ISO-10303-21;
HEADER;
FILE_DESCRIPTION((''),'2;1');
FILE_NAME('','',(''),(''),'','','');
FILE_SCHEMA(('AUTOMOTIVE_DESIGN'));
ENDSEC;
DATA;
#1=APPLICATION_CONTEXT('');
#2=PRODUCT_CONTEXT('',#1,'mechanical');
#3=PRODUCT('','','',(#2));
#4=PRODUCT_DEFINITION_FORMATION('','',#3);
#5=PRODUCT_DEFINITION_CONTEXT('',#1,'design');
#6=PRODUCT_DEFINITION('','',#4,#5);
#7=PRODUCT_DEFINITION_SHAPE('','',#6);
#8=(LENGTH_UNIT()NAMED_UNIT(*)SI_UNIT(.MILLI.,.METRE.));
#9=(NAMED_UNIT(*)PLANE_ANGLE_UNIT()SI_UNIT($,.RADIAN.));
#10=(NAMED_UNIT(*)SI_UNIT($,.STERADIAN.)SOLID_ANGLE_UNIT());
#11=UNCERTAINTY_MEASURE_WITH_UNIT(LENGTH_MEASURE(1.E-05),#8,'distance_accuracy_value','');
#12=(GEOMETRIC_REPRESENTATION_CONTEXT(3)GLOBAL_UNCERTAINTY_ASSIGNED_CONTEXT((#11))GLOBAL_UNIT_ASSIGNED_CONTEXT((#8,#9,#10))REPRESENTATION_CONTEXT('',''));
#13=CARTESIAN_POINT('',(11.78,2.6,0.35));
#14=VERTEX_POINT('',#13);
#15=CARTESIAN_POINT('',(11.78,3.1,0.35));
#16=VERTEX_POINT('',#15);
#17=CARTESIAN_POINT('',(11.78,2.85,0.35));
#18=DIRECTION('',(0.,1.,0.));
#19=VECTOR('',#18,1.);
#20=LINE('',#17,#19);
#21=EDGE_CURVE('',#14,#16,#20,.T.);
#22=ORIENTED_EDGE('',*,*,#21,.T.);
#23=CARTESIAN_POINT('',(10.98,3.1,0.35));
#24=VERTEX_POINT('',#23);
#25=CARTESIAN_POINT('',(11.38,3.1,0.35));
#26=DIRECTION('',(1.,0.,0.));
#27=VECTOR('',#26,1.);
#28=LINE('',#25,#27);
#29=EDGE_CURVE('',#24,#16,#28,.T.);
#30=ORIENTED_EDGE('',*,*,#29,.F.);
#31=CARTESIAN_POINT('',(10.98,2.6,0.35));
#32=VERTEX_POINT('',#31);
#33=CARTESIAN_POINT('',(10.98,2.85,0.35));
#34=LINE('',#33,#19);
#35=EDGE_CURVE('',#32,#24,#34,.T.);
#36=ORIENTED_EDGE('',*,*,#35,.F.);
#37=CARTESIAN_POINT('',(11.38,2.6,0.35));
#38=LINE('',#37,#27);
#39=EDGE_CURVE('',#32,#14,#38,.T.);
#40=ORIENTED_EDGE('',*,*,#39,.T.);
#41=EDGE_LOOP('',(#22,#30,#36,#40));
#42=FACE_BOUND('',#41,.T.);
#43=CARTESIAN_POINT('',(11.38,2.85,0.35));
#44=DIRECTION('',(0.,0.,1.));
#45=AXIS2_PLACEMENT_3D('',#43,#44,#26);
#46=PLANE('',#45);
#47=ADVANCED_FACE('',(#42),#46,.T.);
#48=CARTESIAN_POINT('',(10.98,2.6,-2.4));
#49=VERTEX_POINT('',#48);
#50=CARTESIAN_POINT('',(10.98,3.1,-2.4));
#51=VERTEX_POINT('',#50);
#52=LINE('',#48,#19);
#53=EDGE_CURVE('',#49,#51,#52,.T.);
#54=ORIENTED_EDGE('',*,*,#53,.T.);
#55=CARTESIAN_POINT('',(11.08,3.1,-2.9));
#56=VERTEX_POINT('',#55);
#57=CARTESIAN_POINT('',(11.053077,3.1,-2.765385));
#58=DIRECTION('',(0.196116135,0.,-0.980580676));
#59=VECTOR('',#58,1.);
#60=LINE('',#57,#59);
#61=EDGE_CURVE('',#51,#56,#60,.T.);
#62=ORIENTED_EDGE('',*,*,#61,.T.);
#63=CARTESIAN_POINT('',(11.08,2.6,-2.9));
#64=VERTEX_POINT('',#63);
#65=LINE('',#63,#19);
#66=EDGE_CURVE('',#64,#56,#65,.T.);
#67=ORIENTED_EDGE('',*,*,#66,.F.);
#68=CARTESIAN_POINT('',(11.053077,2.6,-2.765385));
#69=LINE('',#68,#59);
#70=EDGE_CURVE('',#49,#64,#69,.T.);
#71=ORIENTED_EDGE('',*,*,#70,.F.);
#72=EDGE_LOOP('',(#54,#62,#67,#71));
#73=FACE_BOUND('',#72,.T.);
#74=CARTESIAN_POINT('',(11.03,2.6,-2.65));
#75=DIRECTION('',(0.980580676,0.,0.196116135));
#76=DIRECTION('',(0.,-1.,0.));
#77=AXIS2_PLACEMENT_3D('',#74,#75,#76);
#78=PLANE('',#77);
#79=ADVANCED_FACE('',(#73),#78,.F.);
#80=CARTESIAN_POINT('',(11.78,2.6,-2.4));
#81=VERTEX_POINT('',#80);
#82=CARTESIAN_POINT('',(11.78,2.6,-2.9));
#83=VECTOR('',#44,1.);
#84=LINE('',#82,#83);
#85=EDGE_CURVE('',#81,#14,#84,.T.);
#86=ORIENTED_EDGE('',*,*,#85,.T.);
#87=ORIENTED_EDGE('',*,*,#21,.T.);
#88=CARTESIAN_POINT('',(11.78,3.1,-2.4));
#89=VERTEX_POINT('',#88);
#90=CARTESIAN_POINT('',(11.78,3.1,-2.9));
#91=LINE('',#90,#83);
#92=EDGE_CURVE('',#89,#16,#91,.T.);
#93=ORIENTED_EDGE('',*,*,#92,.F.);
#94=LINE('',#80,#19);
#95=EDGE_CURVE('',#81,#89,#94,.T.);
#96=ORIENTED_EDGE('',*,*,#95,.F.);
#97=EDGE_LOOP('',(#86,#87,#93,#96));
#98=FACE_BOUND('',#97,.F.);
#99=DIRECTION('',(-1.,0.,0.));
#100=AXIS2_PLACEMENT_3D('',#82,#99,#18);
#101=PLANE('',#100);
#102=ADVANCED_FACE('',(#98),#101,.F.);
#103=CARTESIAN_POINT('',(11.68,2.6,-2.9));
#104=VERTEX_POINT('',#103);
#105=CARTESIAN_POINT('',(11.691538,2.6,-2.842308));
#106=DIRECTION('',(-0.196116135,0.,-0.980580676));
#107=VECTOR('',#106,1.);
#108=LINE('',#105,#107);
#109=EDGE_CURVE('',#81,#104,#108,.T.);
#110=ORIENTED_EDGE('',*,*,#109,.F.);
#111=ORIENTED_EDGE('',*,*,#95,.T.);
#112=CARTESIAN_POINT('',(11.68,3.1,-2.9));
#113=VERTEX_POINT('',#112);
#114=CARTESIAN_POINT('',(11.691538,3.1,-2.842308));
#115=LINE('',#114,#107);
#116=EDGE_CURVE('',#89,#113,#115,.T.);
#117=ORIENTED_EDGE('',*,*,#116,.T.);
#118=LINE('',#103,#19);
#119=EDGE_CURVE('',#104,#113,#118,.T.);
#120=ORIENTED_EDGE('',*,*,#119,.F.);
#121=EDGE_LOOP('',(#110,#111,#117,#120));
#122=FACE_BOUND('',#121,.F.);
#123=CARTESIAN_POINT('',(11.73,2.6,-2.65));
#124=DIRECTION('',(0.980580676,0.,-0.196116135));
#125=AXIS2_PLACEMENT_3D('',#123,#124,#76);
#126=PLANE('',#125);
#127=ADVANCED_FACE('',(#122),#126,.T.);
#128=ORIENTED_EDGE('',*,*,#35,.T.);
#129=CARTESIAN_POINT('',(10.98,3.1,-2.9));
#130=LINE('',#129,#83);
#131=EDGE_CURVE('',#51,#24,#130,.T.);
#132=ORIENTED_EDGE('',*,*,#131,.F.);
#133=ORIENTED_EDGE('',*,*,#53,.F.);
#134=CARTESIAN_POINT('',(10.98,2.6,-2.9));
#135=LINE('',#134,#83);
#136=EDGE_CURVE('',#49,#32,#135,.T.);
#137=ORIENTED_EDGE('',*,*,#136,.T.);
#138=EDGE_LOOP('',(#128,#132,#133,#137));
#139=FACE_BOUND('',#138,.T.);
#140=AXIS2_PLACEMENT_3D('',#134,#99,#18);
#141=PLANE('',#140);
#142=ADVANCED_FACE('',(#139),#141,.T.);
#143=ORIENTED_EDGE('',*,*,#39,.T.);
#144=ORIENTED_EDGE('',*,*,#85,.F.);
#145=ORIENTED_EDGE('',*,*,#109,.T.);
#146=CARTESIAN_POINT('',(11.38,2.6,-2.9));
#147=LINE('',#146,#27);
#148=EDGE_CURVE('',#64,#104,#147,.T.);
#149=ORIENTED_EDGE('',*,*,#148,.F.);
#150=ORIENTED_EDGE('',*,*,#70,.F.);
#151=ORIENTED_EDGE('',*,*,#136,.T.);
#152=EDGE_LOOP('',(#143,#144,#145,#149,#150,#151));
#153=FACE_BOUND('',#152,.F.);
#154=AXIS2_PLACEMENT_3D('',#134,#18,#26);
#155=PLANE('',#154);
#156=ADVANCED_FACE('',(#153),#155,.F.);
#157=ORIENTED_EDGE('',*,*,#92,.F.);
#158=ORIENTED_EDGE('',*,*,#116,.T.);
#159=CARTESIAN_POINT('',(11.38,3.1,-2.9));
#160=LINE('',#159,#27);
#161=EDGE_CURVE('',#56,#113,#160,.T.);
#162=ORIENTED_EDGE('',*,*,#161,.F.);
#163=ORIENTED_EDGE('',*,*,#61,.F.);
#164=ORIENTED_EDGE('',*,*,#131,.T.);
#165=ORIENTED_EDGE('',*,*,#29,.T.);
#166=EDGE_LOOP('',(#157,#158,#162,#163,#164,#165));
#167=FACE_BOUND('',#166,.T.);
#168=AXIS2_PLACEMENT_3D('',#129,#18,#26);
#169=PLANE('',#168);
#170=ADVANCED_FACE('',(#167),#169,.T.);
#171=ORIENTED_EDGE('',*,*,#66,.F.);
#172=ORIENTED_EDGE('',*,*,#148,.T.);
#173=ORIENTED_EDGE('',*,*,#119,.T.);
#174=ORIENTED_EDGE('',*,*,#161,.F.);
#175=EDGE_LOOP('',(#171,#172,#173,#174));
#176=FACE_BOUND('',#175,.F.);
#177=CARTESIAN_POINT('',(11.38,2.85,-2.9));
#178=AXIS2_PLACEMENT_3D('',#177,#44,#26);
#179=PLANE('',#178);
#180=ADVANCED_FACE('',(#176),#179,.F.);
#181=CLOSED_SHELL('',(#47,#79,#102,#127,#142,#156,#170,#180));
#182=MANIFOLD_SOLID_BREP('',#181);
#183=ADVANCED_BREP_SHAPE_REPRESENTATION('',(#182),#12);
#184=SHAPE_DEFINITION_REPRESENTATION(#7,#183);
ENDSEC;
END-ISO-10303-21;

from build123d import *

# Parameters (mm, degrees)
BOX011_W           = 0.8
BOX011_H           = 0.5
BOX011_DEPTH       = 3.25
CHAMFER002_1_SIZE2 = 0.1
CHAMFER002_1_SIZE  = 0.5
CHAMFER002_2_SIZE2 = 0.1
CHAMFER002_2_SIZE  = 0.5


with BuildPart() as part:
    # Box011 → Box011 (new body)
    with BuildSketch(Plane(origin=(10.98, 2.6, -2.9), x_dir=(1, 0, 0), z_dir=(0, 0, 1))):
        with Locations((0.4, 0.25)):
            Rectangle(BOX011_W, BOX011_H)
    extrude(amount=BOX011_DEPTH)

    # Chamfer002 1
    chamfer002_1_edges = [part.edges().sort_by_distance(p)[0] for p in [
        (11.78, 2.85, -2.9),
    ]]
    chamfer002_1_side = part.faces().sort_by_distance((11.78, 2.85, -1.275))[0]
    chamfer(chamfer002_1_edges, length=CHAMFER002_1_SIZE, length2=CHAMFER002_1_SIZE2, reference=chamfer002_1_side)

    # Chamfer002 2
    chamfer002_2_edges = [part.edges().sort_by_distance(p)[0] for p in [
        (10.98, 2.85, -2.9),
    ]]
    chamfer002_2_side = part.faces().sort_by_distance((10.98, 2.85, -1.275))[0]
    chamfer(chamfer002_2_edges, length=CHAMFER002_2_SIZE, length2=CHAMFER002_2_SIZE2, reference=chamfer002_2_side)


solid = part.part
